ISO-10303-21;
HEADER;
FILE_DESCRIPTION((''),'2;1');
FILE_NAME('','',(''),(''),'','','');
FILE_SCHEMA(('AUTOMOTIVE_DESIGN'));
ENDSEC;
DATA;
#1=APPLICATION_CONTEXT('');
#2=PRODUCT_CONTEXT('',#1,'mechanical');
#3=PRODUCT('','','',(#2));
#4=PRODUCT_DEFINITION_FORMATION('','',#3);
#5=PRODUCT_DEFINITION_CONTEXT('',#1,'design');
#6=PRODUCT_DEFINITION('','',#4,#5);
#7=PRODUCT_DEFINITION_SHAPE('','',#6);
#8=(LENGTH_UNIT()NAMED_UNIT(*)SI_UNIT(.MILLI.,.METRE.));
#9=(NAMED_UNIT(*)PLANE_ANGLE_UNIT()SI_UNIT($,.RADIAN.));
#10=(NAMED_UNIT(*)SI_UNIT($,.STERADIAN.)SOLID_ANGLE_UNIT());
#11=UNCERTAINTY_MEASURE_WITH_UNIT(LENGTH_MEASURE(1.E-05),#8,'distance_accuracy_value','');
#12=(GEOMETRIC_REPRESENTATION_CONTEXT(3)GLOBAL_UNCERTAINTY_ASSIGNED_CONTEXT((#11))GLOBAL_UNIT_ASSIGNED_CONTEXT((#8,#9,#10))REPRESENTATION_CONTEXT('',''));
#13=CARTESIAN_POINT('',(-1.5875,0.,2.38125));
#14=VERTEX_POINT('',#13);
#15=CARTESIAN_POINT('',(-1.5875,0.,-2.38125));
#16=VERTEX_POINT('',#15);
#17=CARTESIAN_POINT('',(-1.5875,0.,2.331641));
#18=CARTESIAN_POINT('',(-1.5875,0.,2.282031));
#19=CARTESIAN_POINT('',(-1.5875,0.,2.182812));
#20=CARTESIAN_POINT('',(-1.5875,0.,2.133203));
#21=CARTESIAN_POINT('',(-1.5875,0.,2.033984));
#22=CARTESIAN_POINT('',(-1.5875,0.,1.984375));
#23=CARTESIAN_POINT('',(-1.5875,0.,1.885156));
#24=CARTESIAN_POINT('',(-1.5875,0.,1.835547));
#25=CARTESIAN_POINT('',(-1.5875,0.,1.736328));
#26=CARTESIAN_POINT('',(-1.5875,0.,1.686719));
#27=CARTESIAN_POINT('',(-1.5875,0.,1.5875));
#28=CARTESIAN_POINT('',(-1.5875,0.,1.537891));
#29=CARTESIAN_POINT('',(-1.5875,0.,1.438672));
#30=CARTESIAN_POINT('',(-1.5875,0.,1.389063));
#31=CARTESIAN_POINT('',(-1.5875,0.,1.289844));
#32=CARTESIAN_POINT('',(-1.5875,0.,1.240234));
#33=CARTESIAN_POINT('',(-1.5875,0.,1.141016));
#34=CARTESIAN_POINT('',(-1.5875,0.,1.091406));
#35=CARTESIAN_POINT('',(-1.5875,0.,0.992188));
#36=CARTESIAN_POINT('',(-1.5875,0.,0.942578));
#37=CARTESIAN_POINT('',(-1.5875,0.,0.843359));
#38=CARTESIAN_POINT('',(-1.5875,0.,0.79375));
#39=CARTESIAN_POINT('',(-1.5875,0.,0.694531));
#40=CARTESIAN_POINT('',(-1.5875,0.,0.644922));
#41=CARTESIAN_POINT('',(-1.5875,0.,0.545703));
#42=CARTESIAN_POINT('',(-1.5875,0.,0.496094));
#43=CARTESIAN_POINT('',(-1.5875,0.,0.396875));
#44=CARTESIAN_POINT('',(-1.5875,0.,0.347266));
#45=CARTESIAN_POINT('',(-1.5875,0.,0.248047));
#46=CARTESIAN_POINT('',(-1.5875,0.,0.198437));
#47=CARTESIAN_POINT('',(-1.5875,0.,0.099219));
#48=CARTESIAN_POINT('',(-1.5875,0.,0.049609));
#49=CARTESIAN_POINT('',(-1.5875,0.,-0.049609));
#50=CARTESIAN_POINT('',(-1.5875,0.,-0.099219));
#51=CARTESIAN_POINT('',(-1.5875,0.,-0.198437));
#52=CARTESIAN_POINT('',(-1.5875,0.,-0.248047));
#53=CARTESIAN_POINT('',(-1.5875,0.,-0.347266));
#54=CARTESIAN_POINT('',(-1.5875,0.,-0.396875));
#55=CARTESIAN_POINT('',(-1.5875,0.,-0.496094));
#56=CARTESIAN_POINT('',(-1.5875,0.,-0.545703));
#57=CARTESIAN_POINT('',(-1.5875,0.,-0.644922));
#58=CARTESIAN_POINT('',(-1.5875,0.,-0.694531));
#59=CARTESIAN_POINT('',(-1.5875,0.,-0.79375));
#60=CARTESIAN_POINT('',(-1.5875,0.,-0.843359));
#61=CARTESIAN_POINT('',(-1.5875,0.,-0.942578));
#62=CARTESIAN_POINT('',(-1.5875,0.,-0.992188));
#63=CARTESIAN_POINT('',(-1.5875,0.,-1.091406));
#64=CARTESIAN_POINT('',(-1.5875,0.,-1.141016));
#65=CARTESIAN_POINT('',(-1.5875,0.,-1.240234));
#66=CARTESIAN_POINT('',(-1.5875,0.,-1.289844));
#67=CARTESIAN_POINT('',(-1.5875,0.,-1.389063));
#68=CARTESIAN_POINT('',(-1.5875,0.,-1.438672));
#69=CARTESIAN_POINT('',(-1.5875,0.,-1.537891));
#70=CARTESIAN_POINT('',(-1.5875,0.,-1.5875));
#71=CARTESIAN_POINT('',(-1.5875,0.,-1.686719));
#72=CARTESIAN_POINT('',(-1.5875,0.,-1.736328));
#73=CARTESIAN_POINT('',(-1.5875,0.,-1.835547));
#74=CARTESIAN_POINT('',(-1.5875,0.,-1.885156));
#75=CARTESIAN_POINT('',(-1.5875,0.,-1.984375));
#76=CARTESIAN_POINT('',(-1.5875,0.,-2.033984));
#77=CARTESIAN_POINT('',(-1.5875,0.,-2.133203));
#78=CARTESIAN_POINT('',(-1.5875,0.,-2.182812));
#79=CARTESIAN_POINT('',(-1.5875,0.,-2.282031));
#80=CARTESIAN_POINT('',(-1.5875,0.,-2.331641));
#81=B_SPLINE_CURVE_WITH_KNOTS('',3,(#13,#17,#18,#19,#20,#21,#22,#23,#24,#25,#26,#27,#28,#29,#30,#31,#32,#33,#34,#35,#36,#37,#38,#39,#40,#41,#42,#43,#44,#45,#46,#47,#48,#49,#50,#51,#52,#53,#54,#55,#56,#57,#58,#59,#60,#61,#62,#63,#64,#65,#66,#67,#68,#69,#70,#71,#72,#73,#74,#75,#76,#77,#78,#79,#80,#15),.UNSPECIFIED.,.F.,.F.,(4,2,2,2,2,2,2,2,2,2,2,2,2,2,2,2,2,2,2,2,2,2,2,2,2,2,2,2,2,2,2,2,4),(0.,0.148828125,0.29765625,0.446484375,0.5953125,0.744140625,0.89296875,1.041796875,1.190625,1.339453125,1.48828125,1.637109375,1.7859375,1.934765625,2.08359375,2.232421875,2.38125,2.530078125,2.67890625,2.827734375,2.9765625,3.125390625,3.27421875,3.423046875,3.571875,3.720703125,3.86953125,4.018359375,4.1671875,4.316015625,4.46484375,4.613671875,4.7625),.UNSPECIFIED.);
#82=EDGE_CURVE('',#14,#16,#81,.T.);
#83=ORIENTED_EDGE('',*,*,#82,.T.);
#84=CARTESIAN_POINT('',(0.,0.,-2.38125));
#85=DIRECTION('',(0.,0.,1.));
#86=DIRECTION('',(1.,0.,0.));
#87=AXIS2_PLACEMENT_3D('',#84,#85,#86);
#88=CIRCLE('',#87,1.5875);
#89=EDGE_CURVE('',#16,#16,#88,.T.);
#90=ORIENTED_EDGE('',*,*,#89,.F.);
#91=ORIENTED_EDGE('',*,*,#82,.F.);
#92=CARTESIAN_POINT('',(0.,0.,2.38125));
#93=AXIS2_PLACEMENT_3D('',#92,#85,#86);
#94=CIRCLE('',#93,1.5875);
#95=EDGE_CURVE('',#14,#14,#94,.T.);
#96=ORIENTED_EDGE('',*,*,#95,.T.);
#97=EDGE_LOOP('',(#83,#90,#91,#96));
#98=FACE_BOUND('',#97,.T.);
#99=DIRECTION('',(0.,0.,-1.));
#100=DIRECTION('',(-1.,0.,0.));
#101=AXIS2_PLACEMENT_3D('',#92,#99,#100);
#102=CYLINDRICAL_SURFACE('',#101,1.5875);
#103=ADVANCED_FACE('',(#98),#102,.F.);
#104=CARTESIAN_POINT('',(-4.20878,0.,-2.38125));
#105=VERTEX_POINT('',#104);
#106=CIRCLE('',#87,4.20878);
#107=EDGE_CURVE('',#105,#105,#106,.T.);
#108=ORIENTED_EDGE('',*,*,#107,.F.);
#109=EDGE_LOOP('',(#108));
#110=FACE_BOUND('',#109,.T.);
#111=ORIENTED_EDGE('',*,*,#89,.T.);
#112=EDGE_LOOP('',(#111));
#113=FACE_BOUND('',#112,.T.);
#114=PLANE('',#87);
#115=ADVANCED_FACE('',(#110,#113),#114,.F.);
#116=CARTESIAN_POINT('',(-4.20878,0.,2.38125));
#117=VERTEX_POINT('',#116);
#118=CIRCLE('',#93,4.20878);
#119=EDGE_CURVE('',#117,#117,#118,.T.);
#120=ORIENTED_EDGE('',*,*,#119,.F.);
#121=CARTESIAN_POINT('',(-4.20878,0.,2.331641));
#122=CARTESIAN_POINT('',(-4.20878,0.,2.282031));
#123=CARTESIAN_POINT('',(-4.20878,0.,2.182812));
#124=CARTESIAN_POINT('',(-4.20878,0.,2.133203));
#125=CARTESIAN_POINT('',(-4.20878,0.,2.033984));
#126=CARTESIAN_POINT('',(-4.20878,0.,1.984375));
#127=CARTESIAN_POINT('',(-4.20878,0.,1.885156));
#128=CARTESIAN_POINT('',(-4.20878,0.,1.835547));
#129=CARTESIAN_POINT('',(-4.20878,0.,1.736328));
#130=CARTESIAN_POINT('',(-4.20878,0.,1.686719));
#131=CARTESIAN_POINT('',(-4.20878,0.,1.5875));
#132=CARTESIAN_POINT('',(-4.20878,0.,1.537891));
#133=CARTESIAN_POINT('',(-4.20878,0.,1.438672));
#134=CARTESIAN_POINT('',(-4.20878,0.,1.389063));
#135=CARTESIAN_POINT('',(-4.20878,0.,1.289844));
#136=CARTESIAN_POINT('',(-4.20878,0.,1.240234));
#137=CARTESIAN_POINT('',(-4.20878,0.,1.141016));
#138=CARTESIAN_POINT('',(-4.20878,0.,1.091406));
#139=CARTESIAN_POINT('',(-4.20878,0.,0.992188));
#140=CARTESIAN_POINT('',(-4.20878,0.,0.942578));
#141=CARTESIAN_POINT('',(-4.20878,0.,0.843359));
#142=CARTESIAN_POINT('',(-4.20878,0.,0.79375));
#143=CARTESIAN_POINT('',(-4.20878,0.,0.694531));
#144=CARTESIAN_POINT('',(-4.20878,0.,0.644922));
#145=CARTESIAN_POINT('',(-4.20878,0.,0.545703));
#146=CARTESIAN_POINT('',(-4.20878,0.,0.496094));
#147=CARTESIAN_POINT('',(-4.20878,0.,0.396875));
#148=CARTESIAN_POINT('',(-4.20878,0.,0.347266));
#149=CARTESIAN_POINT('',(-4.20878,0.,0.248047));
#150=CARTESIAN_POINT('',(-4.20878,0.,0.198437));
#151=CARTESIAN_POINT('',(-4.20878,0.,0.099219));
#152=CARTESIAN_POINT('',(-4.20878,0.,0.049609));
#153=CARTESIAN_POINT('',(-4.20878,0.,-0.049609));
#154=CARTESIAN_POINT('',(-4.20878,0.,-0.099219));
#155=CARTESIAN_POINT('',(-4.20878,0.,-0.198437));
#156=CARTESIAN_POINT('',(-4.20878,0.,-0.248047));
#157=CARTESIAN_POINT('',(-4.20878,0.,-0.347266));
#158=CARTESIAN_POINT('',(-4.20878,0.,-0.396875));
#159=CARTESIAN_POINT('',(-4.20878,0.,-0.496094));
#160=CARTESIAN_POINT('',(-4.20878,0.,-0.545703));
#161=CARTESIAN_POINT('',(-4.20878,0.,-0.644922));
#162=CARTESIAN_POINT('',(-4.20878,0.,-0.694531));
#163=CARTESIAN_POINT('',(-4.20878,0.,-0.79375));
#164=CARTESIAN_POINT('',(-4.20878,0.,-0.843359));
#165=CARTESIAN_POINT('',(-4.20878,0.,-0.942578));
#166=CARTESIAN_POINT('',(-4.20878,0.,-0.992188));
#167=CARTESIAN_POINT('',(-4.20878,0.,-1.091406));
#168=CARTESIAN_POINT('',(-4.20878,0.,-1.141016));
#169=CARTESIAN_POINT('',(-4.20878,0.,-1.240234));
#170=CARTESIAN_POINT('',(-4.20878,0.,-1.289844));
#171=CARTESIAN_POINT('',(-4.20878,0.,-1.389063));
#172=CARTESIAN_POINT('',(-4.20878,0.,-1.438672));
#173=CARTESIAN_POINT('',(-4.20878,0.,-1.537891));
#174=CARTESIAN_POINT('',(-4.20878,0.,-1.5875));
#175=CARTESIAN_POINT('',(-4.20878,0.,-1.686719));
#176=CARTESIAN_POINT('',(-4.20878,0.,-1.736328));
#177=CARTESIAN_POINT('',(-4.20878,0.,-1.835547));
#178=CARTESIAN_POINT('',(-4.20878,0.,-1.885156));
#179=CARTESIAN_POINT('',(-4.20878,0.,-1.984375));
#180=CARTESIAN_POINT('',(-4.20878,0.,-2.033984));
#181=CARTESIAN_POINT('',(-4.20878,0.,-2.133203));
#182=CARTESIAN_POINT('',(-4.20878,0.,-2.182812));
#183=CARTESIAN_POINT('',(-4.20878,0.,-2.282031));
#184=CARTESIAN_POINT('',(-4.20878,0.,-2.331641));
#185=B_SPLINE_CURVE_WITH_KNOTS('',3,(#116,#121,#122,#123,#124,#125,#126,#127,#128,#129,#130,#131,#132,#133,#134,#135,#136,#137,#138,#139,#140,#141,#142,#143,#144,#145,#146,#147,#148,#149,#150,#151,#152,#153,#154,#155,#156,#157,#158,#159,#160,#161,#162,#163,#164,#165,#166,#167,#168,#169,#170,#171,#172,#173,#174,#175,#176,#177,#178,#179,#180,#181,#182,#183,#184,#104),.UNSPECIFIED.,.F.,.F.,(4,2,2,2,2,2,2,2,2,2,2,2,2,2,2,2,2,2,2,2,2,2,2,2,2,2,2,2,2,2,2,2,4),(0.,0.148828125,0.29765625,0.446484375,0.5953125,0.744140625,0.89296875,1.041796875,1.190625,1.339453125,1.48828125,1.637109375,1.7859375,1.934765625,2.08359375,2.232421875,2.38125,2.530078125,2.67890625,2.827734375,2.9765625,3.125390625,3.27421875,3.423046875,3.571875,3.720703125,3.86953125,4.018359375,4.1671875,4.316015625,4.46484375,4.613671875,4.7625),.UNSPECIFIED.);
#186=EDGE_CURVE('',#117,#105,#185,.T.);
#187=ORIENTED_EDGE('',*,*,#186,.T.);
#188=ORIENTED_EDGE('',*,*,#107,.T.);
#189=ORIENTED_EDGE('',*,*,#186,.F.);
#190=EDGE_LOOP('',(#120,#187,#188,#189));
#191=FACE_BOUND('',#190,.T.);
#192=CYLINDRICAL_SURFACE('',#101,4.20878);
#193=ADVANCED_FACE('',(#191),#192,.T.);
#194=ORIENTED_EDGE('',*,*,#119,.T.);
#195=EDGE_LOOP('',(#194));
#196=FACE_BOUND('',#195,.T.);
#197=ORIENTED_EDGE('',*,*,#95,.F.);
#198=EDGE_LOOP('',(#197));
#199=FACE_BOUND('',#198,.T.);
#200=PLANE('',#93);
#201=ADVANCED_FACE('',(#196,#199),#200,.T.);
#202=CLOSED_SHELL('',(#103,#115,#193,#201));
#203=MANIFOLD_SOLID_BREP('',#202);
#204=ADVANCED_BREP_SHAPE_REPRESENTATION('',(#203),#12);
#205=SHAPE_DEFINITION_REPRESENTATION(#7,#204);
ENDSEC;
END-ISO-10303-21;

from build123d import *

# Parameters (mm, degrees)
SKETCH1_R      = 4.20878
SKETCH1_R_2    = 1.5875
EXTRUDE1_DEPTH = 2.38125


with BuildPart() as part:
    # Sketch1 → Extrude1 (new, symmetric)
    with BuildSketch(Plane.XY):
        with Locations(Location((0, 0, 0), (0, 0, 180))):
            Circle(SKETCH1_R)
        with Locations(Location((0, 0, 0), (0, 0, 180))):
            Circle(SKETCH1_R_2, mode=Mode.SUBTRACT)
    extrude(amount=EXTRUDE1_DEPTH, both=True)


solid = part.part
